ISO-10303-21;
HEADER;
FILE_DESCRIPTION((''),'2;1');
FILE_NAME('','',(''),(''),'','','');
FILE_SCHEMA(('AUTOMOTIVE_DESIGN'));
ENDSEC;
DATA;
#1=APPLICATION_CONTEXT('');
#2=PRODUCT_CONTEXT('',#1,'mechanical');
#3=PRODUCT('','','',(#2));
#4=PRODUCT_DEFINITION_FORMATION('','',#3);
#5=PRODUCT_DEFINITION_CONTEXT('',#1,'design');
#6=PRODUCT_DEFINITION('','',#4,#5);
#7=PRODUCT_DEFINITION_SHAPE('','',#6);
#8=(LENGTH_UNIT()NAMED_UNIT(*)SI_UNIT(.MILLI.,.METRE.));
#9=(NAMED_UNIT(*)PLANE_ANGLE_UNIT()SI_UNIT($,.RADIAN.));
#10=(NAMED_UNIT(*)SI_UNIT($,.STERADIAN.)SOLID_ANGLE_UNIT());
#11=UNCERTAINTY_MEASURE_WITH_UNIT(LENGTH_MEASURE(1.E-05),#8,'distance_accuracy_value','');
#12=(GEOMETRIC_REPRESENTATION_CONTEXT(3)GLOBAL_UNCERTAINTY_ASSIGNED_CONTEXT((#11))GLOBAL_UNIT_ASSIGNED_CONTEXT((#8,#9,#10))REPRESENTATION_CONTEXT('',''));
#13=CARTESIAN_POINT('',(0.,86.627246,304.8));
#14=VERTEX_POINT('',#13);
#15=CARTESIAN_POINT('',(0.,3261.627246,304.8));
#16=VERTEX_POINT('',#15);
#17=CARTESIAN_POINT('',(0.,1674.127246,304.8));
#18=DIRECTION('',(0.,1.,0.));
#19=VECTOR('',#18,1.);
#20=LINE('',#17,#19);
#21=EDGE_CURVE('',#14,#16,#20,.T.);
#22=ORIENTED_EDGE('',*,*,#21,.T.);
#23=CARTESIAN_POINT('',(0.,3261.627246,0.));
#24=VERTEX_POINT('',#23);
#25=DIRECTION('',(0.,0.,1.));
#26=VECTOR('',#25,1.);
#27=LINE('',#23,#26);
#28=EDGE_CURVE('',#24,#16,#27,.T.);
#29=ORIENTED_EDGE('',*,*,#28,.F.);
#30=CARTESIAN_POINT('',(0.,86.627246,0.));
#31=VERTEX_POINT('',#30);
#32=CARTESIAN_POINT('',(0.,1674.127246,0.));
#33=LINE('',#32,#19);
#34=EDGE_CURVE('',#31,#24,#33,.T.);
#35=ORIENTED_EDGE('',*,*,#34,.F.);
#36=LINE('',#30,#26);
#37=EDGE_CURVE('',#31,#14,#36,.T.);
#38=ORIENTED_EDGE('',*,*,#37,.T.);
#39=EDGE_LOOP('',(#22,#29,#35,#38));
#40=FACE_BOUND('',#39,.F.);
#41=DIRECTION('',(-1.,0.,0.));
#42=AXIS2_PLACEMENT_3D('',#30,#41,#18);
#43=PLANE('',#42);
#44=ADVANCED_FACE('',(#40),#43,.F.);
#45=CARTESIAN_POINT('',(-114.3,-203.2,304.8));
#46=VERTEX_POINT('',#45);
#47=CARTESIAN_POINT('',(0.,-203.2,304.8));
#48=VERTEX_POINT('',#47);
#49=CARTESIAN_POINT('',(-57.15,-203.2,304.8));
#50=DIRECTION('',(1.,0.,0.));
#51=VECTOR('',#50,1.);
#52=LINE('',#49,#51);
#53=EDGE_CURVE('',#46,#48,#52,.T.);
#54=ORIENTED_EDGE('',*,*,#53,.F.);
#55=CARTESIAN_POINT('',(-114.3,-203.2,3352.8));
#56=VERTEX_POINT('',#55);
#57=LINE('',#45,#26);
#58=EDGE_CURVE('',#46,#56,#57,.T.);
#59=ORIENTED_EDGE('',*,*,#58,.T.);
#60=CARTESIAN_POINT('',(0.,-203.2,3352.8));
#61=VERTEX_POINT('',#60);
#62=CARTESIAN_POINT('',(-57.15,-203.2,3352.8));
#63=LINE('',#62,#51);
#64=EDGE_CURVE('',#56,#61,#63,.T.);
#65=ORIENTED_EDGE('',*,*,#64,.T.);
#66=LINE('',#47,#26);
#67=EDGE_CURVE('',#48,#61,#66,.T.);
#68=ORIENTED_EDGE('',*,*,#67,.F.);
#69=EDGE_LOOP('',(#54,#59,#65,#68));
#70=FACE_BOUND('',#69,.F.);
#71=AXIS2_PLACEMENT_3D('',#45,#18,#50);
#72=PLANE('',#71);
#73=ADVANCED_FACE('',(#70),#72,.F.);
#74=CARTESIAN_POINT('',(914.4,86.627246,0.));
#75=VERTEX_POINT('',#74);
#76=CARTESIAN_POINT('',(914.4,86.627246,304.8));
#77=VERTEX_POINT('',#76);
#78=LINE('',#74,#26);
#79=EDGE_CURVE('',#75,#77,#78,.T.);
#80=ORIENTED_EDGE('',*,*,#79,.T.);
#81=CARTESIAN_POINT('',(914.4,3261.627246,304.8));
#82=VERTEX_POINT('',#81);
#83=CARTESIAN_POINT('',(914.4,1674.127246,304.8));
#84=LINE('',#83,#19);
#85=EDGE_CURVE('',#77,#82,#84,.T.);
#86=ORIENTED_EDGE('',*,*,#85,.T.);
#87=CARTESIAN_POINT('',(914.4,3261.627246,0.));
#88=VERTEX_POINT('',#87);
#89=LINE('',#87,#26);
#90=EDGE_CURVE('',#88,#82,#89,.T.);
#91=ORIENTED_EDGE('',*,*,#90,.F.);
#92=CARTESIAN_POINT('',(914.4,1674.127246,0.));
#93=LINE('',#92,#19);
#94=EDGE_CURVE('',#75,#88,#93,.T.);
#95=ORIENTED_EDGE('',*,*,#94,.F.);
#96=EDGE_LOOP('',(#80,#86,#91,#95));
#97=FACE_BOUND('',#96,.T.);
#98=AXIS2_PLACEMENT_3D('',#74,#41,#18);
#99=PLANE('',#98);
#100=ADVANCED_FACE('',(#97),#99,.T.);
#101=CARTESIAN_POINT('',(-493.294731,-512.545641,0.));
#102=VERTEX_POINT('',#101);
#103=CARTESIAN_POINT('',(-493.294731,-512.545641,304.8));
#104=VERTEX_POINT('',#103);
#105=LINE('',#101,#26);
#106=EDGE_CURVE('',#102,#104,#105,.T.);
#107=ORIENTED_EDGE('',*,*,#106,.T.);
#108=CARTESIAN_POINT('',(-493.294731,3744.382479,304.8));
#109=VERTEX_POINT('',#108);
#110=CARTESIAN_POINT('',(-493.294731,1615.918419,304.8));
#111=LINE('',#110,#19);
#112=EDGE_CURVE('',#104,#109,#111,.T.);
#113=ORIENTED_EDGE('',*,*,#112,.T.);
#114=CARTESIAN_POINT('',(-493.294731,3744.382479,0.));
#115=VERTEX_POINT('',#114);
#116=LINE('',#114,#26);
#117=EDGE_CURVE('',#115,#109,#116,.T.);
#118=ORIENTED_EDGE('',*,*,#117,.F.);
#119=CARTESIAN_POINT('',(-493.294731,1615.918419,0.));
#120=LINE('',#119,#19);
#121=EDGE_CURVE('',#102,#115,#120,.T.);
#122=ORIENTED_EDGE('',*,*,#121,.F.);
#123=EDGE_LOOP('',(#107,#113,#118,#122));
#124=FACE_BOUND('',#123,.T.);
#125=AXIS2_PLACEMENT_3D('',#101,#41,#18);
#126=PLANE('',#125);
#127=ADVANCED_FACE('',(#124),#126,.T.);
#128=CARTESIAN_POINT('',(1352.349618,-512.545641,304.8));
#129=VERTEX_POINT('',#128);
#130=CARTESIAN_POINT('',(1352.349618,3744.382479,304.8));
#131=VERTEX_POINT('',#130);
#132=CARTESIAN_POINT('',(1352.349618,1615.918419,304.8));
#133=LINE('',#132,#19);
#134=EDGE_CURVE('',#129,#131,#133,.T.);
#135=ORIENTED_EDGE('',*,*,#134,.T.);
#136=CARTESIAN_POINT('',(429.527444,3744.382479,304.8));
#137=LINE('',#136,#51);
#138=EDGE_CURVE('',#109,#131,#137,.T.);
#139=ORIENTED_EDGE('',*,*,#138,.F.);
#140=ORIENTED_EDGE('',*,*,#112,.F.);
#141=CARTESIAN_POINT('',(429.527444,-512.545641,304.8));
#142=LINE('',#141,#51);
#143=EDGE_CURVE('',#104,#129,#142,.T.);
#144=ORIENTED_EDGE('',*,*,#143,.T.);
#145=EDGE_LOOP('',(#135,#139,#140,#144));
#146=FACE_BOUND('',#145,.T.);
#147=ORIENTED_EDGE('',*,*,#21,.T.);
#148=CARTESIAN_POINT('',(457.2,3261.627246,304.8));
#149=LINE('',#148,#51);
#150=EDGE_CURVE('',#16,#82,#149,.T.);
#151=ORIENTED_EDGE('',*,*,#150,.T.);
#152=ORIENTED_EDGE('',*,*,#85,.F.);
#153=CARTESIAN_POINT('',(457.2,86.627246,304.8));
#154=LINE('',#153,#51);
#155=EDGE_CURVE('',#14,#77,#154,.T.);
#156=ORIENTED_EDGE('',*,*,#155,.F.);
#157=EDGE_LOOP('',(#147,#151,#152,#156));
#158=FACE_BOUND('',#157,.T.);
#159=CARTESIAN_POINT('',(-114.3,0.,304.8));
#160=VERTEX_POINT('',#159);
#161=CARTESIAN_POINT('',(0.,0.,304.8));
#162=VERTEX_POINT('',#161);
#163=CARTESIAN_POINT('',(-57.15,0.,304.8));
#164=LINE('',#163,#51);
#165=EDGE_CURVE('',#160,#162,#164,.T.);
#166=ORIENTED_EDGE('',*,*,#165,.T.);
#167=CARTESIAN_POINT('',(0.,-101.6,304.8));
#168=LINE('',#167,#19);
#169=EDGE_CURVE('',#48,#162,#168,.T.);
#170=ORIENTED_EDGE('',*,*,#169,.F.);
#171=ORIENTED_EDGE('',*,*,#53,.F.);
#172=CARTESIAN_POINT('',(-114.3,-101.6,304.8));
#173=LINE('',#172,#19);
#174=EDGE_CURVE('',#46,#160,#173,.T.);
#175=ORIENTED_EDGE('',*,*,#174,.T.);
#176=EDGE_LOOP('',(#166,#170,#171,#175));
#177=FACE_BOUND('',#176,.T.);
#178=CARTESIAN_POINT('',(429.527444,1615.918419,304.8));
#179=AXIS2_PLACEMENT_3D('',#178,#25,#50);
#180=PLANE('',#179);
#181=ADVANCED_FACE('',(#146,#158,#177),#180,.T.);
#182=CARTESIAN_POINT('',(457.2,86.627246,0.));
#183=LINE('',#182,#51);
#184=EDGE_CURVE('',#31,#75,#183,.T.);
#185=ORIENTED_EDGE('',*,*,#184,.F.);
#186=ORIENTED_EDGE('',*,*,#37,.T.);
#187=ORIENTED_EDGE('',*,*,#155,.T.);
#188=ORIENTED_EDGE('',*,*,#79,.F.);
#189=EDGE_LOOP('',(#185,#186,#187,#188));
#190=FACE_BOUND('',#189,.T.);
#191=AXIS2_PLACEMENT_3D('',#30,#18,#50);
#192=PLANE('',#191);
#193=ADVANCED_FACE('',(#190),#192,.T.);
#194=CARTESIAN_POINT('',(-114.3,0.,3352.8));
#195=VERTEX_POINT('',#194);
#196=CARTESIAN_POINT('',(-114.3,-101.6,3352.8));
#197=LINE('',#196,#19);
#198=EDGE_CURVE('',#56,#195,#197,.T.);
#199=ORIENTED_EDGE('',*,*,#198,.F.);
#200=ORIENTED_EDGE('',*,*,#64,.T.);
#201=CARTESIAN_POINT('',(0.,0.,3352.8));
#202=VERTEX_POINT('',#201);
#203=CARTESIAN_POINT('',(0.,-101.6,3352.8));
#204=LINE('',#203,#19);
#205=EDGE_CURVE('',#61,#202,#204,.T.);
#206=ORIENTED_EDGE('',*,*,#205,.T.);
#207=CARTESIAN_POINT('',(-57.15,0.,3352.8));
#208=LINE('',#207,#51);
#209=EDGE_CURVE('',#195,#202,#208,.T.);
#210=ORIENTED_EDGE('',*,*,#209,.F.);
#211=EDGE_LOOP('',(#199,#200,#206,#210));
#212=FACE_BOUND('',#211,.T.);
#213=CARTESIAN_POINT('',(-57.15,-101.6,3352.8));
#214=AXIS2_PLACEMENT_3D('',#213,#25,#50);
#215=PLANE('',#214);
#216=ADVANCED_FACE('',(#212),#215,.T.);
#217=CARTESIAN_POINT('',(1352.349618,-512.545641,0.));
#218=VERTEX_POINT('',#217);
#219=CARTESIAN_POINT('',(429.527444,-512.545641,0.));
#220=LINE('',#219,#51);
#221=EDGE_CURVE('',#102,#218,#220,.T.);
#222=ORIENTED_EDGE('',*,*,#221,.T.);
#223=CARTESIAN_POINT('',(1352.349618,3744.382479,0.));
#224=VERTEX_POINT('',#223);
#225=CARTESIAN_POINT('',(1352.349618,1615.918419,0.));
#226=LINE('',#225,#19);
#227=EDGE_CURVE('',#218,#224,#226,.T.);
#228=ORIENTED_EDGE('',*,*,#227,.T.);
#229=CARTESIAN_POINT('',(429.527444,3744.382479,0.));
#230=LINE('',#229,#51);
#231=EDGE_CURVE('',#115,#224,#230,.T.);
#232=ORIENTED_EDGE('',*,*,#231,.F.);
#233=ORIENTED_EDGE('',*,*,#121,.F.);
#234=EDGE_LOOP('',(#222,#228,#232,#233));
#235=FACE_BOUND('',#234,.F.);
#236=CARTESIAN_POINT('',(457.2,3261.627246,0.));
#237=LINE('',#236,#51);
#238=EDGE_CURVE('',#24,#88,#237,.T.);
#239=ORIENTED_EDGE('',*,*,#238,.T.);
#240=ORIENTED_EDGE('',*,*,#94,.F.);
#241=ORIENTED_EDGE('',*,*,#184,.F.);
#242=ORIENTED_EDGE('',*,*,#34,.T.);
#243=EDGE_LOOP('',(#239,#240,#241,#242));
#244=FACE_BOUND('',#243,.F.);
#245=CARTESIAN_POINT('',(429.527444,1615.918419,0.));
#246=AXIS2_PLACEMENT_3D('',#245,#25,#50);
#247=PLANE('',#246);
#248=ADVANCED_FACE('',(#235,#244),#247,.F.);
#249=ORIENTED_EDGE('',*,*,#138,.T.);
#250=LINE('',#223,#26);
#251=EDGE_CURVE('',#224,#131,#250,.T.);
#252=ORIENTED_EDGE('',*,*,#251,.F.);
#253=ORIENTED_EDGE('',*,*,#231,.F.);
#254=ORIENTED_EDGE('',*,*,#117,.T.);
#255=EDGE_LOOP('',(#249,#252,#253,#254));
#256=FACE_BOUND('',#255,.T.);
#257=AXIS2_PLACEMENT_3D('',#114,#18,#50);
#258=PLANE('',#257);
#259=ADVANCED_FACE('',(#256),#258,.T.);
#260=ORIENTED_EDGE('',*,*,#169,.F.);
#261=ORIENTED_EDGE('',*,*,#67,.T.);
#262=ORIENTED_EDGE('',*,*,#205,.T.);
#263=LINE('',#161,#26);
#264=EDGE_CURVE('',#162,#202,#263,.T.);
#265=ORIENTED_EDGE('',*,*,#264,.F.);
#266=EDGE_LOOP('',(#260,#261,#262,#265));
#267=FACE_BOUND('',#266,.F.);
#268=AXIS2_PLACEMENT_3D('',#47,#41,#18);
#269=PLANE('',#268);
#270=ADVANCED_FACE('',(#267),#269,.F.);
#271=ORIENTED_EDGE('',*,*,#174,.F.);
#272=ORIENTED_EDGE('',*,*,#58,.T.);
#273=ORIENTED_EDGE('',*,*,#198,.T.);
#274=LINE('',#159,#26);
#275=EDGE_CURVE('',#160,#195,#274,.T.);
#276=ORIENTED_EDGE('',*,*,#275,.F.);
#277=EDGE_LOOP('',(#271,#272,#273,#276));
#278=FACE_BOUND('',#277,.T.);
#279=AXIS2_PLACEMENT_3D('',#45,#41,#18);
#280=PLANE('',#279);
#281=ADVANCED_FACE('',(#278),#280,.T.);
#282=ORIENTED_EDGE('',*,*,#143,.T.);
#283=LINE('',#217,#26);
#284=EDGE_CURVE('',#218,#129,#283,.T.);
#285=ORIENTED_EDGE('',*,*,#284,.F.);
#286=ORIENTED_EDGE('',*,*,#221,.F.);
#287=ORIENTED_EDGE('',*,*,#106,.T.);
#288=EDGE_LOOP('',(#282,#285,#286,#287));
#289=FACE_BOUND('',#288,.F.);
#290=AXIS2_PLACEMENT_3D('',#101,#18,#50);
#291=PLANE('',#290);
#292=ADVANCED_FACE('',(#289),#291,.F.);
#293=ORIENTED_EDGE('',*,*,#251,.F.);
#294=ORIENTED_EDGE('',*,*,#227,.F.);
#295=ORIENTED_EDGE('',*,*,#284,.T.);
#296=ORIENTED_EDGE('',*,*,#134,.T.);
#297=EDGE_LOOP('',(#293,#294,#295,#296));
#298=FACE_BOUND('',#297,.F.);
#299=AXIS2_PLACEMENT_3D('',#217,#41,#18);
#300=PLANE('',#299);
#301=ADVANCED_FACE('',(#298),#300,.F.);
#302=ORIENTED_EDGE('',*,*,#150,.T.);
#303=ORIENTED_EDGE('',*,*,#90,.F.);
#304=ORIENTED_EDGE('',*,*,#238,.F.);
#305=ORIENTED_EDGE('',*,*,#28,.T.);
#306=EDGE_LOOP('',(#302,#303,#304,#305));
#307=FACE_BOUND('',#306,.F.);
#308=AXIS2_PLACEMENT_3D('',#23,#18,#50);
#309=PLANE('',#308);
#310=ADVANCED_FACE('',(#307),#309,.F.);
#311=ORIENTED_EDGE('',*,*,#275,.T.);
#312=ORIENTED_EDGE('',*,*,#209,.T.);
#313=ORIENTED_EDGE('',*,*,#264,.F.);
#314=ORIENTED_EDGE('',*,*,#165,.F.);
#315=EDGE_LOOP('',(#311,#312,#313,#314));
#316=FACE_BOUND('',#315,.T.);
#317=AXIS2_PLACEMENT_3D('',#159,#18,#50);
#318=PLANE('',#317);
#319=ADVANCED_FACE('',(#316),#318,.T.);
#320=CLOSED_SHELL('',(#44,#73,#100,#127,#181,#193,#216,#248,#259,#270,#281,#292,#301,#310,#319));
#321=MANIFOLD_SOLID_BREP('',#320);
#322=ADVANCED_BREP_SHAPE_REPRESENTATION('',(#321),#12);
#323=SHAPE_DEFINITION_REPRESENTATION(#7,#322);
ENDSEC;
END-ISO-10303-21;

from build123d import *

# Parameters (mm, degrees)
F0_W     = 1845.644349
F0_H     = 4256.92812
F0_W_2   = 914.4
F0_H_2   = 3175
F1_DEPTH = 304.8
F2_W     = 114.3
F2_H     = 203.2
F3_DEPTH = 3048


with BuildPart() as f1:
    # F0 (on Top) → F1 (new body)
    with BuildSketch(Plane.XY):
        with Locations((429.527444, 1615.918419)):
            Rectangle(F0_W, F0_H)
        with Locations((457.2, 1674.127246)):
            Rectangle(F0_W_2, F0_H_2, mode=Mode.SUBTRACT)
    extrude(amount=F1_DEPTH)

    # F2 (on face) → F3 (join)
    with BuildSketch(Plane.XY.offset(304.8)):
        with Locations((-57.15, -101.6)):
            Rectangle(F2_W, F2_H)
    extrude(amount=F3_DEPTH)


solid = f1.part
